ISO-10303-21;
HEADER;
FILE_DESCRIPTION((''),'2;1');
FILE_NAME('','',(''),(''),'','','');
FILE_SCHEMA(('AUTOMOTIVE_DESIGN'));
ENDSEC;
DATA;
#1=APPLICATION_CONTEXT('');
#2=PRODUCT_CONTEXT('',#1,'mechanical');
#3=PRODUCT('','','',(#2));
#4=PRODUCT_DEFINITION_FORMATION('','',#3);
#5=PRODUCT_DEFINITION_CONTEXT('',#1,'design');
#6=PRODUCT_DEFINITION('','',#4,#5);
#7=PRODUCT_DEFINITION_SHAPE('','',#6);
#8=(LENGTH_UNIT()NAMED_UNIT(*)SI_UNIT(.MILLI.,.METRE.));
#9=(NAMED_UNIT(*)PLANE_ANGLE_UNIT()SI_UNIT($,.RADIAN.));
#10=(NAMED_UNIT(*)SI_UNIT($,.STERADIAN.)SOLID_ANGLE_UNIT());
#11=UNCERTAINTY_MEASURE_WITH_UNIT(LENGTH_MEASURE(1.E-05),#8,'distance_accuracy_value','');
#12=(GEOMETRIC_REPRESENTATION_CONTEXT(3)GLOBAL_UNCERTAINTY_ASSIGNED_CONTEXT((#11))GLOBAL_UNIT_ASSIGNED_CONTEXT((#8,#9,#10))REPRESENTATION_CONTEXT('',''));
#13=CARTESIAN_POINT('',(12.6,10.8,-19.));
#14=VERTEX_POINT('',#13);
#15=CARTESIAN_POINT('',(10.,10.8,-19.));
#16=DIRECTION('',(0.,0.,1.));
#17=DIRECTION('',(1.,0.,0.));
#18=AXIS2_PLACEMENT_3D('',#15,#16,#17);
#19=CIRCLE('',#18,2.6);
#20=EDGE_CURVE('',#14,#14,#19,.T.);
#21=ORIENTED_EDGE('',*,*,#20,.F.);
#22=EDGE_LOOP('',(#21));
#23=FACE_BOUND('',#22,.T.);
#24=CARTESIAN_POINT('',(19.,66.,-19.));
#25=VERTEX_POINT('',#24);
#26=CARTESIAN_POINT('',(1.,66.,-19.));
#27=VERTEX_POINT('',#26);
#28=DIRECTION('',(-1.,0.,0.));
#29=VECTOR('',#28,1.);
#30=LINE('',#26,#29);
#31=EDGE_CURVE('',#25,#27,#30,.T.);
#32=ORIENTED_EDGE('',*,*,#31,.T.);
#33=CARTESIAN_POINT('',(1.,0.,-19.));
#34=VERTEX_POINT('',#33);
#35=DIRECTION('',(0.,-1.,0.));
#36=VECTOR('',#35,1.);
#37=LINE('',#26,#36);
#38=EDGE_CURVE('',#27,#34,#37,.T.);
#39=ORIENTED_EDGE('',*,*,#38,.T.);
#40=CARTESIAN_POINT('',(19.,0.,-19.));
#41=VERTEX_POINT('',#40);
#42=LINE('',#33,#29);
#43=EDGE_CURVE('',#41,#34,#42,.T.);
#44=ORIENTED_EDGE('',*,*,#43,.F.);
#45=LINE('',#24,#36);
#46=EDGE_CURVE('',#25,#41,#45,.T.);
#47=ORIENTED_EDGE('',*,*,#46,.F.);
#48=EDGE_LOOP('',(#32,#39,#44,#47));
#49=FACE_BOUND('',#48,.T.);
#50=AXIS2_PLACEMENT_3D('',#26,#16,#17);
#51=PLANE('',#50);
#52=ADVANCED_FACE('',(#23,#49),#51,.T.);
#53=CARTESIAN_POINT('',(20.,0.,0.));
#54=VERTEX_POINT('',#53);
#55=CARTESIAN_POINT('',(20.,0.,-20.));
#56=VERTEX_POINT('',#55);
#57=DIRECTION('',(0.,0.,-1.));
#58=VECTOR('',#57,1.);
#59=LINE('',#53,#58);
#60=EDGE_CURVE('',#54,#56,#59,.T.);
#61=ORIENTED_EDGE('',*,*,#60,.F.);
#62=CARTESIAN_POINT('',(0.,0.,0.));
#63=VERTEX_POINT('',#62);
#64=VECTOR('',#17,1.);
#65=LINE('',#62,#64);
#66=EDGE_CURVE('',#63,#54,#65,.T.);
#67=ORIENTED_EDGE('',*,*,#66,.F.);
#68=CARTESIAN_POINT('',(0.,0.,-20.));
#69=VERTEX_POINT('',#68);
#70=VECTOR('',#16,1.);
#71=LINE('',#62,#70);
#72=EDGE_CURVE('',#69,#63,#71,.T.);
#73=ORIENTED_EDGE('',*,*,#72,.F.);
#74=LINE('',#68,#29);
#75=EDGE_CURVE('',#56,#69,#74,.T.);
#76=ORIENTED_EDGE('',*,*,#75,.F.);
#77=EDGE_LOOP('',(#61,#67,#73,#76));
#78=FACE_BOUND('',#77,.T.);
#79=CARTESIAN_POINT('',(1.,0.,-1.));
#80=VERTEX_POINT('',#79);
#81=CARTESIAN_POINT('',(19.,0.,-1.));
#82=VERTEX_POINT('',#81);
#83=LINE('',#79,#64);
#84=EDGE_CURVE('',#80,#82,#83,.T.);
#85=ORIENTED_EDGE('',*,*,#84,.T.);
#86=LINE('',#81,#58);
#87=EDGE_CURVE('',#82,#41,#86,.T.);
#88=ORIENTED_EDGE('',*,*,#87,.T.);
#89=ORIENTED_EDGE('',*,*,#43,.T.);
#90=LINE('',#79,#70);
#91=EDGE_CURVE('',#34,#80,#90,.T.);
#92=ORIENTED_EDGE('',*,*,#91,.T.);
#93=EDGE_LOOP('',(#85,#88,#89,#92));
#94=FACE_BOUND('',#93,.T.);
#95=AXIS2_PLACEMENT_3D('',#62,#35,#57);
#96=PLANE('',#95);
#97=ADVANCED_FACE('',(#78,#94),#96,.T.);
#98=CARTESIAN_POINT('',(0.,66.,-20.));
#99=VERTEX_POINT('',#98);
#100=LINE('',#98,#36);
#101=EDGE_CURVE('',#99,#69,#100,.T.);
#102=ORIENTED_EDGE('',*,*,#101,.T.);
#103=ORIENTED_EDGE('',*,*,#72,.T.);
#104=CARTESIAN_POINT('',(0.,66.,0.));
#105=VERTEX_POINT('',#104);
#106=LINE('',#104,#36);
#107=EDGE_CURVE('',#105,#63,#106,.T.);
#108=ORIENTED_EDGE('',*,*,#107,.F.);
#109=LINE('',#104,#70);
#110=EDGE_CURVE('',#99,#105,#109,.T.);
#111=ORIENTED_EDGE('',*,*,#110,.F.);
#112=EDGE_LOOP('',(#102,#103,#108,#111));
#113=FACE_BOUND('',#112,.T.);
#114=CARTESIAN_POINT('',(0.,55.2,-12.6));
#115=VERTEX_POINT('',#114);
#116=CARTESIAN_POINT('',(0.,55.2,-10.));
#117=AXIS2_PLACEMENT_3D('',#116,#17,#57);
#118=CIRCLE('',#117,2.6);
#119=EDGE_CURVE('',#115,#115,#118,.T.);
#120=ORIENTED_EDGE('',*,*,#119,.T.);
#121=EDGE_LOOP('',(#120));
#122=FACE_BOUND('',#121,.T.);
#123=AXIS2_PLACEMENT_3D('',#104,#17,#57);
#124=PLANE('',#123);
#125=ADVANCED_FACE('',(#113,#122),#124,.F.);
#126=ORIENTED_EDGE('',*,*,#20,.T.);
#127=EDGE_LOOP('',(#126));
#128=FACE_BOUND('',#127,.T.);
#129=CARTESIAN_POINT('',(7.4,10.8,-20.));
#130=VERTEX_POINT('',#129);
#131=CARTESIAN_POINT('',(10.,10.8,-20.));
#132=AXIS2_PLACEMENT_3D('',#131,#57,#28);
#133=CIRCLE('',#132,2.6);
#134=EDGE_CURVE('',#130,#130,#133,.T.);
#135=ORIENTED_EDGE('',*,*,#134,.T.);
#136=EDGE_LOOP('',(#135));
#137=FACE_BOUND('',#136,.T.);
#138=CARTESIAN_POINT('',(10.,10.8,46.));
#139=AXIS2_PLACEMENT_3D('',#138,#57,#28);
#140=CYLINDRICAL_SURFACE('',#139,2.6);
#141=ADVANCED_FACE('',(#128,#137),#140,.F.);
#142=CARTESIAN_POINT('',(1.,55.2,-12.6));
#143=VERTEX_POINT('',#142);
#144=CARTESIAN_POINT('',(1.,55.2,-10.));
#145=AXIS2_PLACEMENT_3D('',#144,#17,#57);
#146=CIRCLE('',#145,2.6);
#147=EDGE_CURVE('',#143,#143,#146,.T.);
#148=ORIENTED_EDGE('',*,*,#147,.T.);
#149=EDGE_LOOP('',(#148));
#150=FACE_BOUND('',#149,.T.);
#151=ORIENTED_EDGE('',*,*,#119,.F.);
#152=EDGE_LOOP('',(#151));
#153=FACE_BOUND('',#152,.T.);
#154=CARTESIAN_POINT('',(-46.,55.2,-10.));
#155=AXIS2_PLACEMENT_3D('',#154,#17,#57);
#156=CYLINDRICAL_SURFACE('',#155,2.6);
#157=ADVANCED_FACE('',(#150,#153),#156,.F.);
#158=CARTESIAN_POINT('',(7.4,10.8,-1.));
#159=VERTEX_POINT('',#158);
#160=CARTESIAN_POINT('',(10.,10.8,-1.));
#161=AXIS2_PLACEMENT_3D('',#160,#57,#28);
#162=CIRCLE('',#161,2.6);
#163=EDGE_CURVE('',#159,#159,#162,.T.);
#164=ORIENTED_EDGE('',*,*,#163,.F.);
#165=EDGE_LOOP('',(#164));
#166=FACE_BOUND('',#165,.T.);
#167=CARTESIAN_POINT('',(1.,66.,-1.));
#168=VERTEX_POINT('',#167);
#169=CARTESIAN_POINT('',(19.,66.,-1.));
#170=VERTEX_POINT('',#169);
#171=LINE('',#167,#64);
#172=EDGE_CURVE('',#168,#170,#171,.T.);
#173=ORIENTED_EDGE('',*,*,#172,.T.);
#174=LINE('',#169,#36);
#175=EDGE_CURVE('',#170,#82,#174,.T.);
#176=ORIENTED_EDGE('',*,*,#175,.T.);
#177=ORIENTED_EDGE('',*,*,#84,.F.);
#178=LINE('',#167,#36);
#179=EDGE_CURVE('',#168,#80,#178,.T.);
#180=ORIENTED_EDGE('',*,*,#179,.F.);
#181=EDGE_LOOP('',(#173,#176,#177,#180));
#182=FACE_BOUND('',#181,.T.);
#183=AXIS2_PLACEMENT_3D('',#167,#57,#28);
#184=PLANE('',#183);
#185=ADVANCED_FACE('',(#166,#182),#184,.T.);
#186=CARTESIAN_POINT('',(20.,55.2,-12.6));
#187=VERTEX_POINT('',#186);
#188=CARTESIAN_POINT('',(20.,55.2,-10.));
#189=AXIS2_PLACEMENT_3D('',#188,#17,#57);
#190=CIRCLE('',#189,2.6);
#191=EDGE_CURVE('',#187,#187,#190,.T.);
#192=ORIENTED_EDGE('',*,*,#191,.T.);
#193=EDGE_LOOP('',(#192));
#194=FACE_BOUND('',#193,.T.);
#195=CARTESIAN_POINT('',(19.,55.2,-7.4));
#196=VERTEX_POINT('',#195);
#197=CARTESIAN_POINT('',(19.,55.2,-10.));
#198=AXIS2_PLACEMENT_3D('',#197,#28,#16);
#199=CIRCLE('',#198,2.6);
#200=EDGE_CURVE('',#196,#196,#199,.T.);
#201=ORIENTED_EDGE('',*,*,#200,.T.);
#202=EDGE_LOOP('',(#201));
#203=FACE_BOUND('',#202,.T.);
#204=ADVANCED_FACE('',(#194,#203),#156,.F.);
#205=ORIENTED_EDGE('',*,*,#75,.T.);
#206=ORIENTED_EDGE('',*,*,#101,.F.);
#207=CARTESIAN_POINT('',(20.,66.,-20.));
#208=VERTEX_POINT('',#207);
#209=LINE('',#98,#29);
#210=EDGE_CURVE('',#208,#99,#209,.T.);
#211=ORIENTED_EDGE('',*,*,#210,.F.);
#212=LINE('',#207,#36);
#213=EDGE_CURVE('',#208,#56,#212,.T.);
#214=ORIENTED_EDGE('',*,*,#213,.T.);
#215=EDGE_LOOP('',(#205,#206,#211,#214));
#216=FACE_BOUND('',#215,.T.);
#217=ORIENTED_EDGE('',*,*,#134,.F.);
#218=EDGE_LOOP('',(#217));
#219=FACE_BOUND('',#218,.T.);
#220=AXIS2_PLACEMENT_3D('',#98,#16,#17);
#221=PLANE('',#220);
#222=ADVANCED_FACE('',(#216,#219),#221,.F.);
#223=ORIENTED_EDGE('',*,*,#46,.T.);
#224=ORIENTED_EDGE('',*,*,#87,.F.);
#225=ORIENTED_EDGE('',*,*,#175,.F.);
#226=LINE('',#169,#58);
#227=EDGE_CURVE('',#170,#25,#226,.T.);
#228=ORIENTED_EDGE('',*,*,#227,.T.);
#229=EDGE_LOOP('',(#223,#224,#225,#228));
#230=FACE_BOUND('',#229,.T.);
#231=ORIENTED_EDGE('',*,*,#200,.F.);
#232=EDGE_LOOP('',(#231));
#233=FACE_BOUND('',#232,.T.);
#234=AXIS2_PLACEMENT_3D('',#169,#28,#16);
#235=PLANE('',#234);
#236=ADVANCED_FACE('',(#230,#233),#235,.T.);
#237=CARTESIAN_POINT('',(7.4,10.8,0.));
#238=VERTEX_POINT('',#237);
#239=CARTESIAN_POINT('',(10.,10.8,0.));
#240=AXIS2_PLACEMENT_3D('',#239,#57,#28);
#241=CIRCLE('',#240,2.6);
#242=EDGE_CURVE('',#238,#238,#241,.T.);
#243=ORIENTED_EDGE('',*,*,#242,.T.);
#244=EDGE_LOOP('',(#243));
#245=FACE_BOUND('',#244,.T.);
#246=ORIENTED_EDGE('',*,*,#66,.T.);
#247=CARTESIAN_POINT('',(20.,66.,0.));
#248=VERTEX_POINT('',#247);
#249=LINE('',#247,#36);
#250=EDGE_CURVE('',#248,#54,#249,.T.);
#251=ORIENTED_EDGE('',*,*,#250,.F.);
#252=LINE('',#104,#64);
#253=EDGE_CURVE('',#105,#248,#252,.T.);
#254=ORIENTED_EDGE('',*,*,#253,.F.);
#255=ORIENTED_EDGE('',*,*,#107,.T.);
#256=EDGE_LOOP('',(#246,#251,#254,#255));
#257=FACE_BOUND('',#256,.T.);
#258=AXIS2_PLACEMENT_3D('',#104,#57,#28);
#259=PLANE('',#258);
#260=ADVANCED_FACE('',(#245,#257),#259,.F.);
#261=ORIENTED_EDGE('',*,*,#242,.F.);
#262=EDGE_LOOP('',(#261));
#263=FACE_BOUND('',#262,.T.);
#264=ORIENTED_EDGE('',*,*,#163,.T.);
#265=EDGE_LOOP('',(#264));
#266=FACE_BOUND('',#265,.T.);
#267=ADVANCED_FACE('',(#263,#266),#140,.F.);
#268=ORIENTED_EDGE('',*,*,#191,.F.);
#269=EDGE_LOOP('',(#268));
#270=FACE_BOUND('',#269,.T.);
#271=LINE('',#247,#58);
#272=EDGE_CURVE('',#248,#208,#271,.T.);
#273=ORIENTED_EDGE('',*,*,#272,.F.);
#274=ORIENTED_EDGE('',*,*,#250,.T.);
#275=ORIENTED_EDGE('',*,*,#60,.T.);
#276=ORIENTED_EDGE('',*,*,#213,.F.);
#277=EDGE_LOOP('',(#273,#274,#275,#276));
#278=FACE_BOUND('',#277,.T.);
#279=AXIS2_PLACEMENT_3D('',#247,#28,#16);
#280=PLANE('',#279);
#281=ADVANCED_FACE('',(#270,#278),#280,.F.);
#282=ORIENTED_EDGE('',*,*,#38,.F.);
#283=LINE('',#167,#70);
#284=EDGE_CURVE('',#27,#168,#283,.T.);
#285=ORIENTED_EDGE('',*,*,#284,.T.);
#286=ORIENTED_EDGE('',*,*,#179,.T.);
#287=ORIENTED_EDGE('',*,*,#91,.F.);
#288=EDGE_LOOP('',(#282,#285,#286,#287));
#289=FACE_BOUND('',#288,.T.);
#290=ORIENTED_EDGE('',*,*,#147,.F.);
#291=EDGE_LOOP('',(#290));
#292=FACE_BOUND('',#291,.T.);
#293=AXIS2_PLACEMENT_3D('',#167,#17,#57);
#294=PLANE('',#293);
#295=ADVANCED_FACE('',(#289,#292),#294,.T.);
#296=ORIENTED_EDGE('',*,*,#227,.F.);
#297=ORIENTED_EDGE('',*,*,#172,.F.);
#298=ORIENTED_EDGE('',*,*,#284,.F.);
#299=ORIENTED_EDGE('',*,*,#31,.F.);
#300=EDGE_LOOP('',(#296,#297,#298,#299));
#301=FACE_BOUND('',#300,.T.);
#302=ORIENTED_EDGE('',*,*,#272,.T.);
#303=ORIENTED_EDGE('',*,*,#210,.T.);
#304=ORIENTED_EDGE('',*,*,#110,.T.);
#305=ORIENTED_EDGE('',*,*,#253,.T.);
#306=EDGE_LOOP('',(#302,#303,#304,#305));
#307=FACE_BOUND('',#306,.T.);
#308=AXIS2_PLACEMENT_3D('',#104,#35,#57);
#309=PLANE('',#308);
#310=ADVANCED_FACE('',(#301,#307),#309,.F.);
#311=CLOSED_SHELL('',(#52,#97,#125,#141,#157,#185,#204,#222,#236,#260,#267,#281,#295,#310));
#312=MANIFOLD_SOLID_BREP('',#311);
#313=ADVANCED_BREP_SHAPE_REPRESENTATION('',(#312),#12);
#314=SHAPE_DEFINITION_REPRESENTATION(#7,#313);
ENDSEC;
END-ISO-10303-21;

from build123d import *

# Parameters (mm, degrees)
SKETCH1_W           = 20
SKETCH1_H           = 20
SKETCH1_W_2         = 18
SKETCH1_H_2         = 18
BOSS_EXTRUDE1_DEPTH = 66
SKETCH2_R           = 2.6
CUT_EXTRUDE1_DEPTH  = 66
SKETCH3_R           = 2.6
CUT_EXTRUDE2_DEPTH  = 66


with BuildPart() as part:
    # Sketch1 → Boss-Extrude1 (new body)
    with BuildSketch(Plane(origin=(0, 0, 0), x_dir=(1, 0, 0), z_dir=(0, 1, 0))):
        with Locations((10, 10)):
            Rectangle(SKETCH1_W, SKETCH1_H)
        with Locations((10, 10)):
            Rectangle(SKETCH1_W_2, SKETCH1_H_2, mode=Mode.SUBTRACT)
    extrude(amount=BOSS_EXTRUDE1_DEPTH)

    # Sketch2 → Cut-Extrude1 (cut)
    with BuildSketch(Plane(origin=(20, 0, 0), x_dir=(0, 0, -1), z_dir=(1, 0, 0))):
        with Locations((10, 55.2)):
            Circle(SKETCH2_R)
    extrude(amount=-CUT_EXTRUDE1_DEPTH, mode=Mode.SUBTRACT)

    # Sketch3 → Cut-Extrude2 (cut)
    with BuildSketch(Plane(origin=(0, 0, -20), x_dir=(-1, 0, 0), z_dir=(0, 0, -1))):
        with Locations((-10, 10.8)):
            Circle(SKETCH3_R)
    extrude(amount=-CUT_EXTRUDE2_DEPTH, mode=Mode.SUBTRACT)


solid = part.part
